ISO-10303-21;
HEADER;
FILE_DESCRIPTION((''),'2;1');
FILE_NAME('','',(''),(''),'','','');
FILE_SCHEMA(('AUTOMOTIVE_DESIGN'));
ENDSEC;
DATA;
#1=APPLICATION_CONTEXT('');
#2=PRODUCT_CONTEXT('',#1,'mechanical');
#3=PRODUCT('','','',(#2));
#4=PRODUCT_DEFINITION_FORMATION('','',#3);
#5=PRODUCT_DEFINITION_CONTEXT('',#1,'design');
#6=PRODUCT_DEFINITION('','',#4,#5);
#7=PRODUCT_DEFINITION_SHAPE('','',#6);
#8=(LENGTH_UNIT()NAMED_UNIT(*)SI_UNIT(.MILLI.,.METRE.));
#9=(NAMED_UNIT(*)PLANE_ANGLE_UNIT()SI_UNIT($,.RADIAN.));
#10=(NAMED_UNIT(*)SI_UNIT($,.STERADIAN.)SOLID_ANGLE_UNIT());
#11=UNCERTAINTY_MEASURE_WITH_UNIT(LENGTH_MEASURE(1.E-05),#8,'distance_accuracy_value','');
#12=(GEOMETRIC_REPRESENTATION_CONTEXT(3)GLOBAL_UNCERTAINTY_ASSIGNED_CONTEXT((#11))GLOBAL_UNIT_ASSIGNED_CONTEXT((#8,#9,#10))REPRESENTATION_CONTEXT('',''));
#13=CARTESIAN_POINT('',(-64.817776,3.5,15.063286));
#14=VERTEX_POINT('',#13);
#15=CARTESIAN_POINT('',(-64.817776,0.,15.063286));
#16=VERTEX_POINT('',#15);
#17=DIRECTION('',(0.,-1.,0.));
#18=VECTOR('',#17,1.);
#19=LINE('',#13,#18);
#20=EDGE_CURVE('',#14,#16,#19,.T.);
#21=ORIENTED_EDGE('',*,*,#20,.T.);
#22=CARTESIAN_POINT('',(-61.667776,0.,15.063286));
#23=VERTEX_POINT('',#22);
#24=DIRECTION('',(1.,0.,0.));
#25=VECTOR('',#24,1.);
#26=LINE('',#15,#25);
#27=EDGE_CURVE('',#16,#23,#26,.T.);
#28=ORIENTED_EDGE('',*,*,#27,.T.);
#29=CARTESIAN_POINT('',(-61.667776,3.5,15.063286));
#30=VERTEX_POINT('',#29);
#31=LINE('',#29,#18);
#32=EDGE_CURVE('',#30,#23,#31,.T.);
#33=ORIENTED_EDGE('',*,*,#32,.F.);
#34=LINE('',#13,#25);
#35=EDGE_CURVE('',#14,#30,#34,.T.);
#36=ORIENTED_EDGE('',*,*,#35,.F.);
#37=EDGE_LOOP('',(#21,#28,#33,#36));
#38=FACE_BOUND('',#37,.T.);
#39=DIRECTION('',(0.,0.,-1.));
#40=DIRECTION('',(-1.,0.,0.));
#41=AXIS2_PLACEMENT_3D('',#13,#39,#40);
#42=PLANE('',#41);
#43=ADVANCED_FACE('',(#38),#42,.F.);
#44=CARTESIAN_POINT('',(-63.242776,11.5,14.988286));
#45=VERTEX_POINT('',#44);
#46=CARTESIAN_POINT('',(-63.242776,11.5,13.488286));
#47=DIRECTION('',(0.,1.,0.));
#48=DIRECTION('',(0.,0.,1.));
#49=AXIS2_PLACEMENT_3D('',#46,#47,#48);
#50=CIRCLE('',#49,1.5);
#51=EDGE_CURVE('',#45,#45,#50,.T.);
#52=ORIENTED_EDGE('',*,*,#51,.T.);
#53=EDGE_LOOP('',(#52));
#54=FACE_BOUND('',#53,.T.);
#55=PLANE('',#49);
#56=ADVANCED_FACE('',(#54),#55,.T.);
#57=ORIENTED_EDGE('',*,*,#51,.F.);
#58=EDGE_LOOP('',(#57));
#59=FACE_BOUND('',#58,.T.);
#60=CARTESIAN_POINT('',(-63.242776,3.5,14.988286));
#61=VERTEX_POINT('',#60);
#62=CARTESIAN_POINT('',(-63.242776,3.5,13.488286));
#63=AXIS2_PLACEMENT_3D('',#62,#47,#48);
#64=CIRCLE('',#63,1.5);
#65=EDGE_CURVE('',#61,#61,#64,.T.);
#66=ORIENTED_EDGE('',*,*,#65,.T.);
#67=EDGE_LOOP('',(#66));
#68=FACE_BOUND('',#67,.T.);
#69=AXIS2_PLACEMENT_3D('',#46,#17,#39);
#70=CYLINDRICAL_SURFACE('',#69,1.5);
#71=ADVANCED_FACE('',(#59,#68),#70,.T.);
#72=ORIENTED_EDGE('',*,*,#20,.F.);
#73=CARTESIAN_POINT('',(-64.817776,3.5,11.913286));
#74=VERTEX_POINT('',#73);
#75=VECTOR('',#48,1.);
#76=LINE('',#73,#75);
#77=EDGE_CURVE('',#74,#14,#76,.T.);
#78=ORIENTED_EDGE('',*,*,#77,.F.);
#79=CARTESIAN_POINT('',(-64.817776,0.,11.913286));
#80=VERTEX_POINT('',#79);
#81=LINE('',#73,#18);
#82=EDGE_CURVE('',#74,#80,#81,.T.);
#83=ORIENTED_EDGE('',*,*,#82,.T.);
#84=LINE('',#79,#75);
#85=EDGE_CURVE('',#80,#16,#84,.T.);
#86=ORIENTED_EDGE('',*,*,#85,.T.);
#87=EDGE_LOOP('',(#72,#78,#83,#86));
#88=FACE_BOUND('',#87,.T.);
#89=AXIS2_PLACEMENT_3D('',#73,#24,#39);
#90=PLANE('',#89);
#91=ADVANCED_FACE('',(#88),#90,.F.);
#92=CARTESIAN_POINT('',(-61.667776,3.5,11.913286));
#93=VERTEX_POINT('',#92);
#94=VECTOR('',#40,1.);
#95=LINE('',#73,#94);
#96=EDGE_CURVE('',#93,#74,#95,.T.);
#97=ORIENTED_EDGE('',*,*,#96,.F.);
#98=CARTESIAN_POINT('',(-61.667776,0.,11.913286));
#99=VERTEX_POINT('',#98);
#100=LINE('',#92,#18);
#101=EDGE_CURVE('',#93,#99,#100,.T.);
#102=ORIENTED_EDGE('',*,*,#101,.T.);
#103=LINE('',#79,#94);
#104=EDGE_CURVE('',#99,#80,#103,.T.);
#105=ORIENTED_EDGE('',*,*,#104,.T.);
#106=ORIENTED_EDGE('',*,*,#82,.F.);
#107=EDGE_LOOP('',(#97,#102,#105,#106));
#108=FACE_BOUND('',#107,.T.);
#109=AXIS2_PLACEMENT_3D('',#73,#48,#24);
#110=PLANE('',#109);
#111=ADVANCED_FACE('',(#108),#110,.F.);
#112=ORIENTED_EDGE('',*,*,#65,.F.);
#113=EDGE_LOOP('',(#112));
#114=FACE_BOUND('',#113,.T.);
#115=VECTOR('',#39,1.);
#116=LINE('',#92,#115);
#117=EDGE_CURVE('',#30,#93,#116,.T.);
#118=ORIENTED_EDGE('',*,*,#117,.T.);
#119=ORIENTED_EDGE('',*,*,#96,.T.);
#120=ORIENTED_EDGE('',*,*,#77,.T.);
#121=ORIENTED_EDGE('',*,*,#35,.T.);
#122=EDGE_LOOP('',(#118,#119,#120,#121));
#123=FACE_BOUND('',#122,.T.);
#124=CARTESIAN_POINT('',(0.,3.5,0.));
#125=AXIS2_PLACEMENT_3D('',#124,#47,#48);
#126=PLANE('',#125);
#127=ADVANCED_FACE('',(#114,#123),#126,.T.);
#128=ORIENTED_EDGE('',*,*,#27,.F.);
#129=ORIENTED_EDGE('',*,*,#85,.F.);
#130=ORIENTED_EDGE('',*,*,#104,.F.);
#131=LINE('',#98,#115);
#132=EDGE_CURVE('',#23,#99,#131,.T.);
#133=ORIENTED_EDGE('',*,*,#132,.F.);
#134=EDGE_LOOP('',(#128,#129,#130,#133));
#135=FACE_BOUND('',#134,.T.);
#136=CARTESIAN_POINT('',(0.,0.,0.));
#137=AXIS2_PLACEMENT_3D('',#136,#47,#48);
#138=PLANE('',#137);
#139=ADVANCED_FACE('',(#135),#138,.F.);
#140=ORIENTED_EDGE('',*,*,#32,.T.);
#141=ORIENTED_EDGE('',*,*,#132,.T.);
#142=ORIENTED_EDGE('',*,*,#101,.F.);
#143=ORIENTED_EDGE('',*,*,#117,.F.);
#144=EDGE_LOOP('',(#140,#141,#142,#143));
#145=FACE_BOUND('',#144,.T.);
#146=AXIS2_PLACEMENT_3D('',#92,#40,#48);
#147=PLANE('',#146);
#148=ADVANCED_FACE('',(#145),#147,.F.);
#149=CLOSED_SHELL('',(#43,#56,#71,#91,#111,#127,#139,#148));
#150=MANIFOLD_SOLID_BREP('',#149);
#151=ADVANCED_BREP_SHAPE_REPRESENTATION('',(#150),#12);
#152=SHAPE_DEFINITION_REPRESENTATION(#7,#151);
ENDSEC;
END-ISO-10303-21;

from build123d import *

# Parameters (mm, degrees)
SKETCH1_W           = 3.15
SKETCH1_H           = 3.15
BOSS_EXTRUDE1_DEPTH = 3.5
SKETCH3_R           = 1.5
BOSS_EXTRUDE3_DEPTH = 8


with BuildPart() as part:
    # Sketch1 → Boss-Extrude1 (new body)
    with BuildSketch(Plane(origin=(0, 0, 0), x_dir=(1, 0, 0), z_dir=(0, 1, 0))):
        with Locations((-63.242776495, -13.488286087)):
            Rectangle(SKETCH1_W, SKETCH1_H)
    extrude(amount=BOSS_EXTRUDE1_DEPTH)

    # Sketch3 → Boss-Extrude3 (add)
    with BuildSketch(Plane(origin=(0, 3.5, 0), x_dir=(1, 0, 0), z_dir=(0, 1, 0))):
        with Locations(Location((-63.242776495, -13.488286087, 0), (0, 0, 270))):
            Circle(SKETCH3_R)
    extrude(amount=BOSS_EXTRUDE3_DEPTH)


solid = part.part
